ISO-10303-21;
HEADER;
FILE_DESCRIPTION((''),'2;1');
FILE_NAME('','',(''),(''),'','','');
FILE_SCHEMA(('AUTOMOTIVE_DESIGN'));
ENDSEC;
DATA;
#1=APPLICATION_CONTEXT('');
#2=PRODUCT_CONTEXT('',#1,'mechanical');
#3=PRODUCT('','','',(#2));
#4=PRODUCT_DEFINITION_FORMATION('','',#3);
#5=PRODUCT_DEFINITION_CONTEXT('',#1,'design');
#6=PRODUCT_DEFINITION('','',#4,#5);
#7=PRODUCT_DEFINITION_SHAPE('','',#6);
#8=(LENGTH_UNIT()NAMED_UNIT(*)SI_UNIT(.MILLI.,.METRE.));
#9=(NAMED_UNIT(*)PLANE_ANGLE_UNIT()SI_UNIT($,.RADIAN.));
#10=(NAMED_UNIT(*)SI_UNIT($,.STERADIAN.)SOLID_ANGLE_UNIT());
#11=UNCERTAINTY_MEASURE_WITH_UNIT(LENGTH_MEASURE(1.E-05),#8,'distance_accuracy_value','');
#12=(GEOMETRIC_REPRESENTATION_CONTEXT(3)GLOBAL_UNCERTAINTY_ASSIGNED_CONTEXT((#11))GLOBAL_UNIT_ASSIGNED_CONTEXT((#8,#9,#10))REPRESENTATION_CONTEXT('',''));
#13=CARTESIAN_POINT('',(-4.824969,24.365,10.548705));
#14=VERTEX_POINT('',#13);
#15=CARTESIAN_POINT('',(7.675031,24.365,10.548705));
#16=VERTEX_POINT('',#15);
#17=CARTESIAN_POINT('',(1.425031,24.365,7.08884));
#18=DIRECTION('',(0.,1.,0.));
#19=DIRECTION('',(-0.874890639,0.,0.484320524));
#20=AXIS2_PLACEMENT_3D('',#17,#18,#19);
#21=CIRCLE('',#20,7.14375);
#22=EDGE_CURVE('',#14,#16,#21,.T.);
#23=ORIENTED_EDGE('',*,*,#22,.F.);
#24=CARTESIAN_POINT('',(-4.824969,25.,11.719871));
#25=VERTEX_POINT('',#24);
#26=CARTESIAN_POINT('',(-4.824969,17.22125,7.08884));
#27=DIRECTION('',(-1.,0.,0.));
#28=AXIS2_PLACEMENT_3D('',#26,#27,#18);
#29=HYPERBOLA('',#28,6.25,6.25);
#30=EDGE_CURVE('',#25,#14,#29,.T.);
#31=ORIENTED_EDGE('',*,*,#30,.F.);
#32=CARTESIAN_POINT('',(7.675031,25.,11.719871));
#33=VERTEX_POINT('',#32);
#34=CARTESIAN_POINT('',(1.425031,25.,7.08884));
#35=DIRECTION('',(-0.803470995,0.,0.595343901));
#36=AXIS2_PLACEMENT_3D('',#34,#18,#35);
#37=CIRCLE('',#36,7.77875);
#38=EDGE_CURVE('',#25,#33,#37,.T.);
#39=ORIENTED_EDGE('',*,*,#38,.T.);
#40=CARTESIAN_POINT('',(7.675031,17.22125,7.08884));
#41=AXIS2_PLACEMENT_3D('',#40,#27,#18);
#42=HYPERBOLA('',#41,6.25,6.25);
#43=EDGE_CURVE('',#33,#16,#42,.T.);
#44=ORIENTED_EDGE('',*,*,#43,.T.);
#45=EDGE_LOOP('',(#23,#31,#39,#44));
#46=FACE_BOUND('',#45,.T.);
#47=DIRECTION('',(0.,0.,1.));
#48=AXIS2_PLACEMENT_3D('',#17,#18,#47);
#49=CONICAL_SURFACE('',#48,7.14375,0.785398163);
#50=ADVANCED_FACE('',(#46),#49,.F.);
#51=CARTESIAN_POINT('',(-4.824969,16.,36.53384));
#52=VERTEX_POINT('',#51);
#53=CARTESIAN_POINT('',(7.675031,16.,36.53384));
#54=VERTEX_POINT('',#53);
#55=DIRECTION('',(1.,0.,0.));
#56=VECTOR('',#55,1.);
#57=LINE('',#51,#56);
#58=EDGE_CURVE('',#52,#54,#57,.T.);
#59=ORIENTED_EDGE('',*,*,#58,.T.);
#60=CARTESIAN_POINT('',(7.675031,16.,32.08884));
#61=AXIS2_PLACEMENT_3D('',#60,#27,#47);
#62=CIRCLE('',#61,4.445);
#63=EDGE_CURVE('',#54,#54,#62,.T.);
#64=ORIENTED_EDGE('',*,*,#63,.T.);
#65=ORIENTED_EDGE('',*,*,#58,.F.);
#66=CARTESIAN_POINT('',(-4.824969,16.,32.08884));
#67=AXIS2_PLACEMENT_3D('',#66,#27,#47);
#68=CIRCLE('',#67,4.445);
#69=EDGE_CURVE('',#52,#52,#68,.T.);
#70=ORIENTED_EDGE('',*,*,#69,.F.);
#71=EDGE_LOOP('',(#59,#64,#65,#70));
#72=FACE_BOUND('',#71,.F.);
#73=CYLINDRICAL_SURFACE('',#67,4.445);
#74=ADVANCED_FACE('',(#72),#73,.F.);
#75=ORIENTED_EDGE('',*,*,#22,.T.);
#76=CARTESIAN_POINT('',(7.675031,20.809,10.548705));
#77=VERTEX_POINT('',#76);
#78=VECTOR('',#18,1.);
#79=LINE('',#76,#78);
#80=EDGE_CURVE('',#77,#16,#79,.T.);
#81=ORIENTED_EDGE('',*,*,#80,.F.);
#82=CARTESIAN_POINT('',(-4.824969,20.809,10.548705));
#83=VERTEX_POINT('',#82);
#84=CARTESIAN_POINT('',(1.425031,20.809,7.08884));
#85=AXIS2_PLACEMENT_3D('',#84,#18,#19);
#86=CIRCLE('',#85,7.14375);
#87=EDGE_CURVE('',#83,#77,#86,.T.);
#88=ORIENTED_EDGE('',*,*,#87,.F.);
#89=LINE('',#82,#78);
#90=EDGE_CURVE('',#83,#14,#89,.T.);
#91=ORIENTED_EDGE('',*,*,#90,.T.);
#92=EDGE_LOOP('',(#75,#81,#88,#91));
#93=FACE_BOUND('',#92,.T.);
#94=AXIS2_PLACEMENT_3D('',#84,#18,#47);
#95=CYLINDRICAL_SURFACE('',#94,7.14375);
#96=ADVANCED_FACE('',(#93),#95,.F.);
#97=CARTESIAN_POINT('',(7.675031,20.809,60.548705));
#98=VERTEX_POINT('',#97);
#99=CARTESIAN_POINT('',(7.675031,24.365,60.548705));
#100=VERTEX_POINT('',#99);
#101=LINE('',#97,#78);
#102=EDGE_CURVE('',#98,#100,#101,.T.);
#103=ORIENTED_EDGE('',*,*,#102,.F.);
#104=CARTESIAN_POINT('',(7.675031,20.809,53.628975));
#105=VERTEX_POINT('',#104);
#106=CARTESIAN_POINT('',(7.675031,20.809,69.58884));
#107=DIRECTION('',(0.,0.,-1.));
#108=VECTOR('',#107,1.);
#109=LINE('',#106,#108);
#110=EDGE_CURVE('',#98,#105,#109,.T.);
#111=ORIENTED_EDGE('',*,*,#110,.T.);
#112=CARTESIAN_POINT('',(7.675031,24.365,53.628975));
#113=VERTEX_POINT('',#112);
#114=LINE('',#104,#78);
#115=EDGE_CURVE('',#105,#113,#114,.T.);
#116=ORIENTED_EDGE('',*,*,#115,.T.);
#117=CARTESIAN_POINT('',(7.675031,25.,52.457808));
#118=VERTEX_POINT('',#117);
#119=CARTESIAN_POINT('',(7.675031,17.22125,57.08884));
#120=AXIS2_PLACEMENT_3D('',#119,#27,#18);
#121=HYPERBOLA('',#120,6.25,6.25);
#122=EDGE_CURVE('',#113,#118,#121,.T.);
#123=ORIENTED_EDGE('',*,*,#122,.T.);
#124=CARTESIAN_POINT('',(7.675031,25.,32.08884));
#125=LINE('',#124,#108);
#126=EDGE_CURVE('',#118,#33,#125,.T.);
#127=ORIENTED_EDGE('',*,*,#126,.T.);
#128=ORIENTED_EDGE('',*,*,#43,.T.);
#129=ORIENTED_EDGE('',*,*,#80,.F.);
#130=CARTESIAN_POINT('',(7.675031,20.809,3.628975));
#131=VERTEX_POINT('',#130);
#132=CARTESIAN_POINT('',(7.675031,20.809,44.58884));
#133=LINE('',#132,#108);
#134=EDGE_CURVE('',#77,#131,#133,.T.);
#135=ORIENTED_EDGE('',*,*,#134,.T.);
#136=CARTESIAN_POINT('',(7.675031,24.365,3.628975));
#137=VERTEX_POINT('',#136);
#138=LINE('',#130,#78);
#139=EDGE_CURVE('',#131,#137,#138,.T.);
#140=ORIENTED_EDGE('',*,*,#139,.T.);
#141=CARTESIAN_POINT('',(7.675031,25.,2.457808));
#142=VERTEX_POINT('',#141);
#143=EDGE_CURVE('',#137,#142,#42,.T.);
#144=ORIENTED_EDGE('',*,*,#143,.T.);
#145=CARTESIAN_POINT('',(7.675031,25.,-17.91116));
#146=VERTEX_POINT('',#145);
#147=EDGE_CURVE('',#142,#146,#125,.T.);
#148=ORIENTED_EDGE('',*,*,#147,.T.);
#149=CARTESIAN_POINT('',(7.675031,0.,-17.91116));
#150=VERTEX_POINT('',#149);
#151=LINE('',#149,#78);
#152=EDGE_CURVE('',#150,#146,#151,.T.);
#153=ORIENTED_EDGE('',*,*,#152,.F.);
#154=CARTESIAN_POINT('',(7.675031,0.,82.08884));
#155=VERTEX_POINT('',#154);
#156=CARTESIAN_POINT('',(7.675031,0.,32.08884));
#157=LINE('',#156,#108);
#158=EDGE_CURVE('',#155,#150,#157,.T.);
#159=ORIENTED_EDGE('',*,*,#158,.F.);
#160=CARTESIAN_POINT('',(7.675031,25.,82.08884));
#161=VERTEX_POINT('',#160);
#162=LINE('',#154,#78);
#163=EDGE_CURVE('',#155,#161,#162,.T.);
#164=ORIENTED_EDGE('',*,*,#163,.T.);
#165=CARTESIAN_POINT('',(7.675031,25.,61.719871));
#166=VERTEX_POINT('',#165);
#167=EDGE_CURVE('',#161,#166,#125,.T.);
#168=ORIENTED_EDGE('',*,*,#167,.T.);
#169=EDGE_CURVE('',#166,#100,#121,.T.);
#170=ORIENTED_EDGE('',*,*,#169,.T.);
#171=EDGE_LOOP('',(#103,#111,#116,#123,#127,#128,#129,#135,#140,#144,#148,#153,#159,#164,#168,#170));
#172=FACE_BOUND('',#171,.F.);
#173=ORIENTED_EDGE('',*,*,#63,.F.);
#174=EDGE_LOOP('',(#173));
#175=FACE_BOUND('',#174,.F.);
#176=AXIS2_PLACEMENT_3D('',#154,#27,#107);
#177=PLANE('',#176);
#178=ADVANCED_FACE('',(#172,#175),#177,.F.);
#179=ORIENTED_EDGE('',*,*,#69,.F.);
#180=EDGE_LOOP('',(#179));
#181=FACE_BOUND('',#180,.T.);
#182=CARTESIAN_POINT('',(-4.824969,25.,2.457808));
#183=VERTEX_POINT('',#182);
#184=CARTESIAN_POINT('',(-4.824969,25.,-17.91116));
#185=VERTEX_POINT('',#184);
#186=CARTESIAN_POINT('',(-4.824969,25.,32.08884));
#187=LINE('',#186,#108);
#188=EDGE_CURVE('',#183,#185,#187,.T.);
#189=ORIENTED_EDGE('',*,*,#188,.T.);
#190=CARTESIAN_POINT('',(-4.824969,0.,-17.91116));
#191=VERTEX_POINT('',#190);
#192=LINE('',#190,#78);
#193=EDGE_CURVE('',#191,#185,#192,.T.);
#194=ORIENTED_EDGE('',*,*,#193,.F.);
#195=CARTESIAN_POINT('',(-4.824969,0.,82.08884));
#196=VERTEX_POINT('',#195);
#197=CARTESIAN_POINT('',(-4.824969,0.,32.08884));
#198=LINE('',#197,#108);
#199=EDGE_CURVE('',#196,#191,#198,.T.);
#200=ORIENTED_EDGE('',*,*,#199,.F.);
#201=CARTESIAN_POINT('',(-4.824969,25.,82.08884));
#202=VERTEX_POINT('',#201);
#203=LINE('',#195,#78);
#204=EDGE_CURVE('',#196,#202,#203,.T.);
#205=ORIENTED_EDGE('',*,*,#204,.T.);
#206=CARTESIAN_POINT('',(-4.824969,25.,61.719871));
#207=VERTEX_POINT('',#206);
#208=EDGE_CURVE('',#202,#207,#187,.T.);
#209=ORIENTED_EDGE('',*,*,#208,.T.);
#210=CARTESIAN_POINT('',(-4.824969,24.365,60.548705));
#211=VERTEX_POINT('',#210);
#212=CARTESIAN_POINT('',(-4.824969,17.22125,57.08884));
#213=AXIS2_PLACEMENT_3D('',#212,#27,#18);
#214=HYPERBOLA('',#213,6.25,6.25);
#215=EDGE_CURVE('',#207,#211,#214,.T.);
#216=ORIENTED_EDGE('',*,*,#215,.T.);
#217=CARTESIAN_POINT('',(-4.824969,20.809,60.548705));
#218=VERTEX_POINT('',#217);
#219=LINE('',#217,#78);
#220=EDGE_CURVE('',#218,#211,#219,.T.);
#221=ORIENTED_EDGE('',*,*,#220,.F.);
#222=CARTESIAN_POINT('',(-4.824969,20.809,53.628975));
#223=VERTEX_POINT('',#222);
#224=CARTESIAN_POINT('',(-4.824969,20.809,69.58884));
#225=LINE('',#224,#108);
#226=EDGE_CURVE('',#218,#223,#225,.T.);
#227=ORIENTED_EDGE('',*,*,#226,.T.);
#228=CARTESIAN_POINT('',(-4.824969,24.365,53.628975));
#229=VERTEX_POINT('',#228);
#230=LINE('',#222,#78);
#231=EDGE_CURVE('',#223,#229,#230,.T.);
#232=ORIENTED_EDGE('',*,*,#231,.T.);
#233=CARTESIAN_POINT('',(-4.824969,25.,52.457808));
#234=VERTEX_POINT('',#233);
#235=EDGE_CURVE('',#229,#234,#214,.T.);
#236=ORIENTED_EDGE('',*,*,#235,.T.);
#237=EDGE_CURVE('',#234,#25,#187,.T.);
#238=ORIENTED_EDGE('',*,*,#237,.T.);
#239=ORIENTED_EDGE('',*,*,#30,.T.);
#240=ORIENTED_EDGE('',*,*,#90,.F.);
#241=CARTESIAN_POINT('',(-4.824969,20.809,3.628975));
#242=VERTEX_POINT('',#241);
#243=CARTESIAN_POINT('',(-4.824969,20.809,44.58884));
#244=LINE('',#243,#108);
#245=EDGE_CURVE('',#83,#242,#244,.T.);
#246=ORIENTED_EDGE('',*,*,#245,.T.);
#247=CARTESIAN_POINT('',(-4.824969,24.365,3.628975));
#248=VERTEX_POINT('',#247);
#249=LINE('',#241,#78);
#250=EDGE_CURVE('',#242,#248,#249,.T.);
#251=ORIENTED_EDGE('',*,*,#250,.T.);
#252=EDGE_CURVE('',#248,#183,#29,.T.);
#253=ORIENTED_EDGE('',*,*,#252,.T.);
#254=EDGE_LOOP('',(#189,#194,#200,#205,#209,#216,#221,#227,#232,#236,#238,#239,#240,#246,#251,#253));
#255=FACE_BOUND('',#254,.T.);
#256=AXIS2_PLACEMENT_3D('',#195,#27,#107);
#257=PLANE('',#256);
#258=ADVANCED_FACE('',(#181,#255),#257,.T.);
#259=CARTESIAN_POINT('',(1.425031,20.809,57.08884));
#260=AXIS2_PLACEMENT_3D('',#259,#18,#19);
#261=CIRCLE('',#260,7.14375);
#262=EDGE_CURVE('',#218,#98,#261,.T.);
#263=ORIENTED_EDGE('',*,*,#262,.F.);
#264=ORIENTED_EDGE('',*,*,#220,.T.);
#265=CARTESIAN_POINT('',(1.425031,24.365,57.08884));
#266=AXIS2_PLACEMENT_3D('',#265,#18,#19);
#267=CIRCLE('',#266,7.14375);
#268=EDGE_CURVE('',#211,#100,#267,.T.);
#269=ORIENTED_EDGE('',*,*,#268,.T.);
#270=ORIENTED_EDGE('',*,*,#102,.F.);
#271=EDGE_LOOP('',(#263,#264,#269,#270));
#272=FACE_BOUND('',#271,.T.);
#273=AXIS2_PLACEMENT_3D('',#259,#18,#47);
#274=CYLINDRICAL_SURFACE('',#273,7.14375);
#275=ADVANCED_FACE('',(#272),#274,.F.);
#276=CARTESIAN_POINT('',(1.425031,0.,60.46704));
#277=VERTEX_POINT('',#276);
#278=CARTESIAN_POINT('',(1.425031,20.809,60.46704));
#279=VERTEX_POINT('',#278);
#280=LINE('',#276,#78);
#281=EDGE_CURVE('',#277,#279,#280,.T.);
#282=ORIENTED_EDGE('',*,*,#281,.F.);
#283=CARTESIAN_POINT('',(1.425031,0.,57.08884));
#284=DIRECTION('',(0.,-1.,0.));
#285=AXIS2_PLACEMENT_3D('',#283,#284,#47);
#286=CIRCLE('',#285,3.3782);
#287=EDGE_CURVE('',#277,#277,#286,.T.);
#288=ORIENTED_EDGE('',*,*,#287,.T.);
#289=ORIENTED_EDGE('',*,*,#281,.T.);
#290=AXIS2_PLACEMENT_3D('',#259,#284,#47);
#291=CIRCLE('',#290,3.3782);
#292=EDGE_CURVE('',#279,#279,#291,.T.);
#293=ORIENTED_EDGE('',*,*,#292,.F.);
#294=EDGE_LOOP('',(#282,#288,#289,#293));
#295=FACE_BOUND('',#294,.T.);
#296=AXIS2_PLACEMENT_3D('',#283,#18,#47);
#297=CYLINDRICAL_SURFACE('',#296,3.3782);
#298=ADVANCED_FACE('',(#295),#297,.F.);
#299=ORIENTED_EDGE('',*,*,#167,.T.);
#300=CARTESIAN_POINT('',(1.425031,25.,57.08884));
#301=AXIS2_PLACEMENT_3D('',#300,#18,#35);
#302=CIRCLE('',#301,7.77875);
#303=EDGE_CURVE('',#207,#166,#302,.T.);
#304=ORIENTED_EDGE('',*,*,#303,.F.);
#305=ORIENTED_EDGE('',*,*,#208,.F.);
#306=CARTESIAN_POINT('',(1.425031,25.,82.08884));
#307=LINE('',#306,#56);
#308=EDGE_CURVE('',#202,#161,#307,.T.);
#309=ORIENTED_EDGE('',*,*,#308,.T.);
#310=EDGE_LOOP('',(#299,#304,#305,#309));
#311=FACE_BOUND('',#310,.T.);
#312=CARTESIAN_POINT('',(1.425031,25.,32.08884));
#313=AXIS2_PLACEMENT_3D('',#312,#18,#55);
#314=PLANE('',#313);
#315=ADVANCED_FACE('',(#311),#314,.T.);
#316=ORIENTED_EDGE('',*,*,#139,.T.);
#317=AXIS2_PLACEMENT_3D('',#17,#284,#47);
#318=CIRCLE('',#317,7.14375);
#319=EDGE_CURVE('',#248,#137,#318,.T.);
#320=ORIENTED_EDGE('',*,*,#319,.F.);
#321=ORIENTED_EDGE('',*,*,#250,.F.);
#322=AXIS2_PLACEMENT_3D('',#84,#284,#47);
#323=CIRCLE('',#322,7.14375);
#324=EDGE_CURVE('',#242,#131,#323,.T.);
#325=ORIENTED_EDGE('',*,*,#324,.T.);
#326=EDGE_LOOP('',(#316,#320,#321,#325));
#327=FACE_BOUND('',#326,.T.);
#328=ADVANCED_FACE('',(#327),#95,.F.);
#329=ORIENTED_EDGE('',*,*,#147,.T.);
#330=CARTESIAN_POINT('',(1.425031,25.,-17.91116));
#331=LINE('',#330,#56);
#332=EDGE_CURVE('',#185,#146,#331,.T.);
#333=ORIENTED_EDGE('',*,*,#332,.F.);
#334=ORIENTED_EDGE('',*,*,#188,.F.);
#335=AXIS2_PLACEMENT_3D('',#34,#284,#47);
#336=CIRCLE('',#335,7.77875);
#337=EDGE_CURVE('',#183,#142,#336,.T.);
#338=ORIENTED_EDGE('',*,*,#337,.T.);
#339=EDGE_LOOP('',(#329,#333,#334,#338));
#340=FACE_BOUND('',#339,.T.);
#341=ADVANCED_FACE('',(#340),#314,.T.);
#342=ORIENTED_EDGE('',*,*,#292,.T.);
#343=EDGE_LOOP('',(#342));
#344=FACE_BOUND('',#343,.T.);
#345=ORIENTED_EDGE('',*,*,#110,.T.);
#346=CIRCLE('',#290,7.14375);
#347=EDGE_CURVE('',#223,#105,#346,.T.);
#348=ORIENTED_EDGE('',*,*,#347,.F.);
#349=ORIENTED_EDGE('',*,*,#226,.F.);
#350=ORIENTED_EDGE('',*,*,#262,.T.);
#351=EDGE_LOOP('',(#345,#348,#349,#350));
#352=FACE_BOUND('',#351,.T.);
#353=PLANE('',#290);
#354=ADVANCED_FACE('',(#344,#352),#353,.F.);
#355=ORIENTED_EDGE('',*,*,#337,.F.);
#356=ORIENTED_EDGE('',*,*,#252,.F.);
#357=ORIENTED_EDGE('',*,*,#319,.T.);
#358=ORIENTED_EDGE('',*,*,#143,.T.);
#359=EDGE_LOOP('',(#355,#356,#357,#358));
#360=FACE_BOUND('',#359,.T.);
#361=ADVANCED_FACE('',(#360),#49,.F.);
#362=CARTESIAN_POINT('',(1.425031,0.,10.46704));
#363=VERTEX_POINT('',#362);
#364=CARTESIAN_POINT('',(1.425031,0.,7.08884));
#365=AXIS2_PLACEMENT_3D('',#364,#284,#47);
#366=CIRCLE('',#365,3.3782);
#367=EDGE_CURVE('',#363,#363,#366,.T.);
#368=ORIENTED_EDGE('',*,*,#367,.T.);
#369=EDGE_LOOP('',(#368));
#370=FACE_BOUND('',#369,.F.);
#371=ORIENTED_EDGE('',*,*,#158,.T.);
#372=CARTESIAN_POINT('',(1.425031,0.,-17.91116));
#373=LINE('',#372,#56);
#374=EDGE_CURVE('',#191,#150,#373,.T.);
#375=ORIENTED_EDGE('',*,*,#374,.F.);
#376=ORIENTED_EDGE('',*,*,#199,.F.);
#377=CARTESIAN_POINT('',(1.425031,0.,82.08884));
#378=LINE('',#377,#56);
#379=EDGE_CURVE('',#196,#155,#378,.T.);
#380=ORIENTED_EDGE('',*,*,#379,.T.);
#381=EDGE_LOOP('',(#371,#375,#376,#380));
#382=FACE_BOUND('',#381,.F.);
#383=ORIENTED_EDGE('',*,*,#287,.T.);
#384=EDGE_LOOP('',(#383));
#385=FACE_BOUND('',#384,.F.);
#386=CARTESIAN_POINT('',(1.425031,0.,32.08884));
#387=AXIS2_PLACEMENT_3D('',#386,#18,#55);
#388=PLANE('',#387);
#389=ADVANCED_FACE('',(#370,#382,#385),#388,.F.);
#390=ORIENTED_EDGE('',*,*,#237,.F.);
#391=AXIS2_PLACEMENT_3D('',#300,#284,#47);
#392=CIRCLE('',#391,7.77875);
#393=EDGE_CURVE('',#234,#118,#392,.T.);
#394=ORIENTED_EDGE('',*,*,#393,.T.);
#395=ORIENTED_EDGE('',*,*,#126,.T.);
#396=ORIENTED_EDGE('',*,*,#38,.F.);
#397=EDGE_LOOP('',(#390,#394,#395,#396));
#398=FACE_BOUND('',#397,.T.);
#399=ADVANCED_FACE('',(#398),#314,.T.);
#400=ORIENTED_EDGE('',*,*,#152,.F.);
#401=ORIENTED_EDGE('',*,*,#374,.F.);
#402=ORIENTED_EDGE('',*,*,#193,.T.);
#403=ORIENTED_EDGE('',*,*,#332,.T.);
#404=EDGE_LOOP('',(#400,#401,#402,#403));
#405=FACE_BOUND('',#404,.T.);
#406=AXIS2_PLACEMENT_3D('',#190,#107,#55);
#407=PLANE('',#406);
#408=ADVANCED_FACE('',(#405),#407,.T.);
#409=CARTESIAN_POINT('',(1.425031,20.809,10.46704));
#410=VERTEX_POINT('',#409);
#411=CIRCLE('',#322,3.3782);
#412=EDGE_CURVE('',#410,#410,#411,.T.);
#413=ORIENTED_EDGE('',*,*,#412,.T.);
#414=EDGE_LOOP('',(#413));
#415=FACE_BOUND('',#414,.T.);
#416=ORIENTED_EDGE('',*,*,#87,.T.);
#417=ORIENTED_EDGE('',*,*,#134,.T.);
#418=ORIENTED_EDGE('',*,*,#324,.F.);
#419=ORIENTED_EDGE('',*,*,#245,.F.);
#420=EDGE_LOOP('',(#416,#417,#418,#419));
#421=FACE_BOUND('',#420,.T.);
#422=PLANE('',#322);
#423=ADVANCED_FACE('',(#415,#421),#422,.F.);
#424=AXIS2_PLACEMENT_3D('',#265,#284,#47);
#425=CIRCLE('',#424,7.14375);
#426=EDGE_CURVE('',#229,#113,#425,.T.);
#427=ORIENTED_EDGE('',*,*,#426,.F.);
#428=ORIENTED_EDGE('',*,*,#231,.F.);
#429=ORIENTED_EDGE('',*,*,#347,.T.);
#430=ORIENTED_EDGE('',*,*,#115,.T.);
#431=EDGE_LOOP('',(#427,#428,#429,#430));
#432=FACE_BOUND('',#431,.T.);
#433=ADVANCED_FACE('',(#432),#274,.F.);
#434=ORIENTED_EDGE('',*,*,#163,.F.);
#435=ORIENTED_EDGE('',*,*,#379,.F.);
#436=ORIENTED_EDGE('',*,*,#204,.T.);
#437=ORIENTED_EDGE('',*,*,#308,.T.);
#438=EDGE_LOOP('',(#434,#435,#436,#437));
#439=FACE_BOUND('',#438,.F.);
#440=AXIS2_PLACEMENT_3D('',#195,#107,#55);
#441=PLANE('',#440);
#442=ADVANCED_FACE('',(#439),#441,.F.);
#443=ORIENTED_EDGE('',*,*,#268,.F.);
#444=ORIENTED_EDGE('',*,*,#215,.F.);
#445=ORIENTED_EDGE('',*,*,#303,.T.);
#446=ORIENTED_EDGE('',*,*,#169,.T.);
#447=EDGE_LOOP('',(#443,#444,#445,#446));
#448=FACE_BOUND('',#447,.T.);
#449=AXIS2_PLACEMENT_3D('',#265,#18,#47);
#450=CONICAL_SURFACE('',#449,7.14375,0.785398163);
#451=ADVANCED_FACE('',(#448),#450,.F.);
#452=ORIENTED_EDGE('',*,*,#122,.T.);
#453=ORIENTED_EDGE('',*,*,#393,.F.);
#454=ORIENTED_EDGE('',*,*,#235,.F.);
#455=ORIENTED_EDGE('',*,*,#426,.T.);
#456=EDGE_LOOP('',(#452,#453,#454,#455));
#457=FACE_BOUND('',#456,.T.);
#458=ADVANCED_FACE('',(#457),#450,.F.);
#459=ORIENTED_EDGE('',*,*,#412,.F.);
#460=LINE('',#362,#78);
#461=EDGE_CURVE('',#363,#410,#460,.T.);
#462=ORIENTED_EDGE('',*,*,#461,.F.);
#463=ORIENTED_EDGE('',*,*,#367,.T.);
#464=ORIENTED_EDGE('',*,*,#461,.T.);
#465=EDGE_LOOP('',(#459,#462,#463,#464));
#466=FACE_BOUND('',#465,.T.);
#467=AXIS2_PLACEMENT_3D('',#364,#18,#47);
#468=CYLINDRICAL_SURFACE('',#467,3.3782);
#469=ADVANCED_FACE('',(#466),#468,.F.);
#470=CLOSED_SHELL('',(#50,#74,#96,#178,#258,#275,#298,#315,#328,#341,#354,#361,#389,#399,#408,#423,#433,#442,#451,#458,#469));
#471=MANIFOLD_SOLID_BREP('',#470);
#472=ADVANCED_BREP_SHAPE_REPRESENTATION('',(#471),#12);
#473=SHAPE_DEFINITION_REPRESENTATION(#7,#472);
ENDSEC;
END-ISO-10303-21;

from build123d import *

# Parameters (mm, degrees)
SKETCH1_W                                    = 12.5
SKETCH1_H                                    = 100
BOSS_EXTRUDE1_DEPTH                          = 25
CBORE_FOR_1_4_BINDING_HEAD_MACHINE_S_2_COUNT = 2
CBORE_FOR_1_4_BINDING_HEAD_MACHINE_S_2_PITCH = 50
CUT_EXTRUDE1_REACH                           = 14.5
SKETCH4_R                                    = 4.445


with BuildPart() as part:
    # Sketch1 → Boss-Extrude1 (new body)
    with BuildSketch(Plane(origin=(0, 0, 0), x_dir=(1, 0, 0), z_dir=(0, 1, 0))):
        with Locations((1.425031038, -32.088839839)):
            Rectangle(SKETCH1_W, SKETCH1_H)
    extrude(amount=BOSS_EXTRUDE1_DEPTH)

    # Sketch3 → CBORE for 1/4 Binding Head Machine Screw1 (revolve, cut)
    with BuildSketch(Plane(origin=(1.425031038, 25, 7.088839839), x_dir=(0, 0, 1), z_dir=(1, 0, 0))):
        Polygon((0, 0), (0, 25), (3.3782, 25), (3.3782, 4.191), (7.14375, 4.191), (7.14375, 0.635), (7.77875, 0), align=None)
    cbore_for_1_4_binding_head_machine_screw = revolve(axis=Axis((1.425031038, 31.35, 7.088839839), (0, -1, 0)), mode=Mode.SUBTRACT)

    # CBORE for 1_4 Binding Head Machine S 2: CBORE for 1/4 Binding Head Machine Screw1 ×2
    with Locations(*[(0, 0, i * CBORE_FOR_1_4_BINDING_HEAD_MACHINE_S_2_PITCH) for i in range(1, CBORE_FOR_1_4_BINDING_HEAD_MACHINE_S_2_COUNT)]):
        add(cbore_for_1_4_binding_head_machine_screw, mode=Mode.SUBTRACT)

    # Sketch4 → Cut-Extrude1 (cut, up to next)
    with BuildSketch(Plane.ZY.offset(4.824968962), mode=Mode.PRIVATE) as cut_extrude1_sk1:
        with Locations((32.088839839, 16)):
            Circle(SKETCH4_R)
    cut_extrude1_tool1 = extrude(cut_extrude1_sk1.sketch, amount=-CUT_EXTRUDE1_REACH, mode=Mode.PRIVATE) & part.part
    add(cut_extrude1_tool1.solids().sort_by_distance((-4.824969, 16, 32.08884))[0], mode=Mode.SUBTRACT)


solid = part.part
